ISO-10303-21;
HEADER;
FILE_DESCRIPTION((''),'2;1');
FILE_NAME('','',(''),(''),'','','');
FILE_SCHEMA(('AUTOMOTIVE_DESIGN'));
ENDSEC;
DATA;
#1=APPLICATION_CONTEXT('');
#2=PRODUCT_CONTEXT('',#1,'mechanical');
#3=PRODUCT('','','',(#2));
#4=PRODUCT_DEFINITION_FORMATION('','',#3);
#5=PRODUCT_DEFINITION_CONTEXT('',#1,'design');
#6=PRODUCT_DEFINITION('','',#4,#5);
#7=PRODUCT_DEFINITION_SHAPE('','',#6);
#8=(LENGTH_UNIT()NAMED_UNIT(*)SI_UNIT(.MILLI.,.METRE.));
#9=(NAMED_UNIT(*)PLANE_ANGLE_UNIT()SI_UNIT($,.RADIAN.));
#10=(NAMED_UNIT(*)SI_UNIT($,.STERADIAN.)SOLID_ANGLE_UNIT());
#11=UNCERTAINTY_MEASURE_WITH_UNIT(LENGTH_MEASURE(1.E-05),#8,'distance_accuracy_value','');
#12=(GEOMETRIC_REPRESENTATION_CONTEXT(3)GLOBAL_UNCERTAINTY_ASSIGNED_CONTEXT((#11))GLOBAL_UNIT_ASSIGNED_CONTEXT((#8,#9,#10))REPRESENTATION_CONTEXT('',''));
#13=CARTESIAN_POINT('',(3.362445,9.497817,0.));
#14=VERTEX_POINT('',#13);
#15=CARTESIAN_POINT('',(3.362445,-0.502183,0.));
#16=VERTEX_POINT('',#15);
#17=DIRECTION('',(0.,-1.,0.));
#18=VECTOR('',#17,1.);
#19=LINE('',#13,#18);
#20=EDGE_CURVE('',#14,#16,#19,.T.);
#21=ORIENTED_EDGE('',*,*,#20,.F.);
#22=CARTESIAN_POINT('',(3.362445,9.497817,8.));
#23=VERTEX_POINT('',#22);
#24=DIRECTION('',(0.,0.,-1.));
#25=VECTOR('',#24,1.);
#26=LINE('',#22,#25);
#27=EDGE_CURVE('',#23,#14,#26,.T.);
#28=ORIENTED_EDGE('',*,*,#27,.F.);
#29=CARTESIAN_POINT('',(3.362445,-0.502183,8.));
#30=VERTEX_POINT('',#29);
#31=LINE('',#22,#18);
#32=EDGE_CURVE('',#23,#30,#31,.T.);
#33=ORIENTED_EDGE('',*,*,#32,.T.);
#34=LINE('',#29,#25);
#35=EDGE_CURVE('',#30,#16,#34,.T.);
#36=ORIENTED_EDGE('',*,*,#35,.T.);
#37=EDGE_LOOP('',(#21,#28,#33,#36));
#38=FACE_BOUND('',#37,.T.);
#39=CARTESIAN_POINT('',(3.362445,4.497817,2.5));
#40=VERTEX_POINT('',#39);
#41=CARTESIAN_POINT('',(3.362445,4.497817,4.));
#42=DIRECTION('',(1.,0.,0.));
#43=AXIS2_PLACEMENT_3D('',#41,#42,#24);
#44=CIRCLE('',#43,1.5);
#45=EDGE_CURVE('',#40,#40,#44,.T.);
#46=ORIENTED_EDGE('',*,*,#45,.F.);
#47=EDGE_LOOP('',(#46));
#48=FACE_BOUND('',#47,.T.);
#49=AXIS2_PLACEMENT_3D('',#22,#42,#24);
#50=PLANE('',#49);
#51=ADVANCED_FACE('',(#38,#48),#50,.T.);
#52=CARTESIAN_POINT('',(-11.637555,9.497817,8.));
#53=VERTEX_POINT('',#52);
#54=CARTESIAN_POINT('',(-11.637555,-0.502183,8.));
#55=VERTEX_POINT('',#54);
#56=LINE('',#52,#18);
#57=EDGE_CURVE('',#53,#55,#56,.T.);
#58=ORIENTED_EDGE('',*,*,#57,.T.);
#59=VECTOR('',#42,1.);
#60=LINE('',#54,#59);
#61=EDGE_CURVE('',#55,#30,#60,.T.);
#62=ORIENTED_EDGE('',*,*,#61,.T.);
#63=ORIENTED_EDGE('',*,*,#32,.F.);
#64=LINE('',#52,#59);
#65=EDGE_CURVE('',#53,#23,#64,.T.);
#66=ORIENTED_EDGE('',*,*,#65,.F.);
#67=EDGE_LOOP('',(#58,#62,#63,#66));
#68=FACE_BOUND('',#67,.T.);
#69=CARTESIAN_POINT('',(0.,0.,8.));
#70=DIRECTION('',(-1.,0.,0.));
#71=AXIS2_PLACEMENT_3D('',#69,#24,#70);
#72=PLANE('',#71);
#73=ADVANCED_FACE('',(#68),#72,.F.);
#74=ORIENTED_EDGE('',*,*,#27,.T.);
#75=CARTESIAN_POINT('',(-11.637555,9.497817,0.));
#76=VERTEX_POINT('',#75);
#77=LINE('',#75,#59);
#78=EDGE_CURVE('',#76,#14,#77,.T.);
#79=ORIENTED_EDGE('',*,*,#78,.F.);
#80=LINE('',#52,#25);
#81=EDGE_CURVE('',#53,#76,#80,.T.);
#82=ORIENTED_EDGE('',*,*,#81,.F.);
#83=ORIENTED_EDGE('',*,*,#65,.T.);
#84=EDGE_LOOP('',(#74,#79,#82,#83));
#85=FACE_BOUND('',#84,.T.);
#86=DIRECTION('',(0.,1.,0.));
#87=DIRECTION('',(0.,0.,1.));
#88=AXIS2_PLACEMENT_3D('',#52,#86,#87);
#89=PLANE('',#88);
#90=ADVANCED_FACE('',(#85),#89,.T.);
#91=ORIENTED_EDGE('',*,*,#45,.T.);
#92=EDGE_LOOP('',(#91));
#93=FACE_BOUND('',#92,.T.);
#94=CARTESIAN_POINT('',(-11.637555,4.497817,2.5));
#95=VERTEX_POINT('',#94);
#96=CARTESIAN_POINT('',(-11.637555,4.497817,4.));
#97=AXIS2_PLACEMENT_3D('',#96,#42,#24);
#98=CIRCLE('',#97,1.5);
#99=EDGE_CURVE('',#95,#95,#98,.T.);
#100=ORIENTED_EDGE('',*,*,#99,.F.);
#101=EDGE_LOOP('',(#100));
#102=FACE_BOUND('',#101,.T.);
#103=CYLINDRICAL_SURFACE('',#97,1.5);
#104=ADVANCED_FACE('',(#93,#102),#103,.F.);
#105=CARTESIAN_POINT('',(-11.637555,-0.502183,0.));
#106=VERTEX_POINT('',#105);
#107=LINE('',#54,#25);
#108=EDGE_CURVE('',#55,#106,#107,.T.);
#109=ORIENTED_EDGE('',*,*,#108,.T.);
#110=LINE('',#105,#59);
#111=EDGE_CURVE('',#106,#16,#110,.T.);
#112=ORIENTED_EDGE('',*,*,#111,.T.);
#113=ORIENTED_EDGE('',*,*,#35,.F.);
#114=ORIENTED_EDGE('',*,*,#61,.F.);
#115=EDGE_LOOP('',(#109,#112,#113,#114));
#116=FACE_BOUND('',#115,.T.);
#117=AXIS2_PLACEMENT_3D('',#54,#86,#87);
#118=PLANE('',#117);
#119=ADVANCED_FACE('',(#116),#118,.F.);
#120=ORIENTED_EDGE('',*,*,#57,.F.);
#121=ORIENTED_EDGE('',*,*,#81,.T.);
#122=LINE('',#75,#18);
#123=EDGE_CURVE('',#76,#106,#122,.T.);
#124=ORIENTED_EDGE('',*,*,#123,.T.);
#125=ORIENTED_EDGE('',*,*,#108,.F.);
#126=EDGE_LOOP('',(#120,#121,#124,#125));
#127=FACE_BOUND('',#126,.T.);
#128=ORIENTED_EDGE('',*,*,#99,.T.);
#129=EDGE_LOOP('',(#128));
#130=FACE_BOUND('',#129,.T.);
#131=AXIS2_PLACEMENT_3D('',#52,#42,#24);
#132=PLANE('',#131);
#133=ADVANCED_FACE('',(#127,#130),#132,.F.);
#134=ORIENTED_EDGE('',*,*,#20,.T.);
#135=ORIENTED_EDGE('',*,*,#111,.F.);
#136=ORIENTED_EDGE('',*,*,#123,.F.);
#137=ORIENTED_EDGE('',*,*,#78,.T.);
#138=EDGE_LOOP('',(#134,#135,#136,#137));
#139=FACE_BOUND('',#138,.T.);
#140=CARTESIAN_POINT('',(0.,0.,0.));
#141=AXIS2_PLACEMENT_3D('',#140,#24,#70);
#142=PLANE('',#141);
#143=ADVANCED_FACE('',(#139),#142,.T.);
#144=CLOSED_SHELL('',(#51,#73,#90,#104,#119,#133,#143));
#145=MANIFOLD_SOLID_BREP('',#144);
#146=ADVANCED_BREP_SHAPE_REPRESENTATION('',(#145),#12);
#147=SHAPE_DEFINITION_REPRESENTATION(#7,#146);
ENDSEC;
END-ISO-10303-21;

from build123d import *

# Parameters (mm, degrees)
SKETCH1_W           = 15
SKETCH1_H           = 10
BOSS_EXTRUDE2_DEPTH = 8
SKETCH2_R           = 1.5
CUT_EXTRUDE1_DEPTH  = 15


with BuildPart() as part:
    # Sketch1 → Boss-Extrude2 (new body)
    with BuildSketch(Plane.XY):
        with Locations((-4.137554585, 4.497816594)):
            Rectangle(SKETCH1_W, SKETCH1_H)
    extrude(amount=BOSS_EXTRUDE2_DEPTH)

    # Sketch2 → Cut-Extrude1 (cut)
    with BuildSketch(Plane(origin=(3.362445415, 0, 0), x_dir=(0, 0, -1), z_dir=(1, 0, 0))):
        with Locations((-4, 4.497816594)):
            Circle(SKETCH2_R)
    extrude(amount=-CUT_EXTRUDE1_DEPTH, mode=Mode.SUBTRACT)


solid = part.part
